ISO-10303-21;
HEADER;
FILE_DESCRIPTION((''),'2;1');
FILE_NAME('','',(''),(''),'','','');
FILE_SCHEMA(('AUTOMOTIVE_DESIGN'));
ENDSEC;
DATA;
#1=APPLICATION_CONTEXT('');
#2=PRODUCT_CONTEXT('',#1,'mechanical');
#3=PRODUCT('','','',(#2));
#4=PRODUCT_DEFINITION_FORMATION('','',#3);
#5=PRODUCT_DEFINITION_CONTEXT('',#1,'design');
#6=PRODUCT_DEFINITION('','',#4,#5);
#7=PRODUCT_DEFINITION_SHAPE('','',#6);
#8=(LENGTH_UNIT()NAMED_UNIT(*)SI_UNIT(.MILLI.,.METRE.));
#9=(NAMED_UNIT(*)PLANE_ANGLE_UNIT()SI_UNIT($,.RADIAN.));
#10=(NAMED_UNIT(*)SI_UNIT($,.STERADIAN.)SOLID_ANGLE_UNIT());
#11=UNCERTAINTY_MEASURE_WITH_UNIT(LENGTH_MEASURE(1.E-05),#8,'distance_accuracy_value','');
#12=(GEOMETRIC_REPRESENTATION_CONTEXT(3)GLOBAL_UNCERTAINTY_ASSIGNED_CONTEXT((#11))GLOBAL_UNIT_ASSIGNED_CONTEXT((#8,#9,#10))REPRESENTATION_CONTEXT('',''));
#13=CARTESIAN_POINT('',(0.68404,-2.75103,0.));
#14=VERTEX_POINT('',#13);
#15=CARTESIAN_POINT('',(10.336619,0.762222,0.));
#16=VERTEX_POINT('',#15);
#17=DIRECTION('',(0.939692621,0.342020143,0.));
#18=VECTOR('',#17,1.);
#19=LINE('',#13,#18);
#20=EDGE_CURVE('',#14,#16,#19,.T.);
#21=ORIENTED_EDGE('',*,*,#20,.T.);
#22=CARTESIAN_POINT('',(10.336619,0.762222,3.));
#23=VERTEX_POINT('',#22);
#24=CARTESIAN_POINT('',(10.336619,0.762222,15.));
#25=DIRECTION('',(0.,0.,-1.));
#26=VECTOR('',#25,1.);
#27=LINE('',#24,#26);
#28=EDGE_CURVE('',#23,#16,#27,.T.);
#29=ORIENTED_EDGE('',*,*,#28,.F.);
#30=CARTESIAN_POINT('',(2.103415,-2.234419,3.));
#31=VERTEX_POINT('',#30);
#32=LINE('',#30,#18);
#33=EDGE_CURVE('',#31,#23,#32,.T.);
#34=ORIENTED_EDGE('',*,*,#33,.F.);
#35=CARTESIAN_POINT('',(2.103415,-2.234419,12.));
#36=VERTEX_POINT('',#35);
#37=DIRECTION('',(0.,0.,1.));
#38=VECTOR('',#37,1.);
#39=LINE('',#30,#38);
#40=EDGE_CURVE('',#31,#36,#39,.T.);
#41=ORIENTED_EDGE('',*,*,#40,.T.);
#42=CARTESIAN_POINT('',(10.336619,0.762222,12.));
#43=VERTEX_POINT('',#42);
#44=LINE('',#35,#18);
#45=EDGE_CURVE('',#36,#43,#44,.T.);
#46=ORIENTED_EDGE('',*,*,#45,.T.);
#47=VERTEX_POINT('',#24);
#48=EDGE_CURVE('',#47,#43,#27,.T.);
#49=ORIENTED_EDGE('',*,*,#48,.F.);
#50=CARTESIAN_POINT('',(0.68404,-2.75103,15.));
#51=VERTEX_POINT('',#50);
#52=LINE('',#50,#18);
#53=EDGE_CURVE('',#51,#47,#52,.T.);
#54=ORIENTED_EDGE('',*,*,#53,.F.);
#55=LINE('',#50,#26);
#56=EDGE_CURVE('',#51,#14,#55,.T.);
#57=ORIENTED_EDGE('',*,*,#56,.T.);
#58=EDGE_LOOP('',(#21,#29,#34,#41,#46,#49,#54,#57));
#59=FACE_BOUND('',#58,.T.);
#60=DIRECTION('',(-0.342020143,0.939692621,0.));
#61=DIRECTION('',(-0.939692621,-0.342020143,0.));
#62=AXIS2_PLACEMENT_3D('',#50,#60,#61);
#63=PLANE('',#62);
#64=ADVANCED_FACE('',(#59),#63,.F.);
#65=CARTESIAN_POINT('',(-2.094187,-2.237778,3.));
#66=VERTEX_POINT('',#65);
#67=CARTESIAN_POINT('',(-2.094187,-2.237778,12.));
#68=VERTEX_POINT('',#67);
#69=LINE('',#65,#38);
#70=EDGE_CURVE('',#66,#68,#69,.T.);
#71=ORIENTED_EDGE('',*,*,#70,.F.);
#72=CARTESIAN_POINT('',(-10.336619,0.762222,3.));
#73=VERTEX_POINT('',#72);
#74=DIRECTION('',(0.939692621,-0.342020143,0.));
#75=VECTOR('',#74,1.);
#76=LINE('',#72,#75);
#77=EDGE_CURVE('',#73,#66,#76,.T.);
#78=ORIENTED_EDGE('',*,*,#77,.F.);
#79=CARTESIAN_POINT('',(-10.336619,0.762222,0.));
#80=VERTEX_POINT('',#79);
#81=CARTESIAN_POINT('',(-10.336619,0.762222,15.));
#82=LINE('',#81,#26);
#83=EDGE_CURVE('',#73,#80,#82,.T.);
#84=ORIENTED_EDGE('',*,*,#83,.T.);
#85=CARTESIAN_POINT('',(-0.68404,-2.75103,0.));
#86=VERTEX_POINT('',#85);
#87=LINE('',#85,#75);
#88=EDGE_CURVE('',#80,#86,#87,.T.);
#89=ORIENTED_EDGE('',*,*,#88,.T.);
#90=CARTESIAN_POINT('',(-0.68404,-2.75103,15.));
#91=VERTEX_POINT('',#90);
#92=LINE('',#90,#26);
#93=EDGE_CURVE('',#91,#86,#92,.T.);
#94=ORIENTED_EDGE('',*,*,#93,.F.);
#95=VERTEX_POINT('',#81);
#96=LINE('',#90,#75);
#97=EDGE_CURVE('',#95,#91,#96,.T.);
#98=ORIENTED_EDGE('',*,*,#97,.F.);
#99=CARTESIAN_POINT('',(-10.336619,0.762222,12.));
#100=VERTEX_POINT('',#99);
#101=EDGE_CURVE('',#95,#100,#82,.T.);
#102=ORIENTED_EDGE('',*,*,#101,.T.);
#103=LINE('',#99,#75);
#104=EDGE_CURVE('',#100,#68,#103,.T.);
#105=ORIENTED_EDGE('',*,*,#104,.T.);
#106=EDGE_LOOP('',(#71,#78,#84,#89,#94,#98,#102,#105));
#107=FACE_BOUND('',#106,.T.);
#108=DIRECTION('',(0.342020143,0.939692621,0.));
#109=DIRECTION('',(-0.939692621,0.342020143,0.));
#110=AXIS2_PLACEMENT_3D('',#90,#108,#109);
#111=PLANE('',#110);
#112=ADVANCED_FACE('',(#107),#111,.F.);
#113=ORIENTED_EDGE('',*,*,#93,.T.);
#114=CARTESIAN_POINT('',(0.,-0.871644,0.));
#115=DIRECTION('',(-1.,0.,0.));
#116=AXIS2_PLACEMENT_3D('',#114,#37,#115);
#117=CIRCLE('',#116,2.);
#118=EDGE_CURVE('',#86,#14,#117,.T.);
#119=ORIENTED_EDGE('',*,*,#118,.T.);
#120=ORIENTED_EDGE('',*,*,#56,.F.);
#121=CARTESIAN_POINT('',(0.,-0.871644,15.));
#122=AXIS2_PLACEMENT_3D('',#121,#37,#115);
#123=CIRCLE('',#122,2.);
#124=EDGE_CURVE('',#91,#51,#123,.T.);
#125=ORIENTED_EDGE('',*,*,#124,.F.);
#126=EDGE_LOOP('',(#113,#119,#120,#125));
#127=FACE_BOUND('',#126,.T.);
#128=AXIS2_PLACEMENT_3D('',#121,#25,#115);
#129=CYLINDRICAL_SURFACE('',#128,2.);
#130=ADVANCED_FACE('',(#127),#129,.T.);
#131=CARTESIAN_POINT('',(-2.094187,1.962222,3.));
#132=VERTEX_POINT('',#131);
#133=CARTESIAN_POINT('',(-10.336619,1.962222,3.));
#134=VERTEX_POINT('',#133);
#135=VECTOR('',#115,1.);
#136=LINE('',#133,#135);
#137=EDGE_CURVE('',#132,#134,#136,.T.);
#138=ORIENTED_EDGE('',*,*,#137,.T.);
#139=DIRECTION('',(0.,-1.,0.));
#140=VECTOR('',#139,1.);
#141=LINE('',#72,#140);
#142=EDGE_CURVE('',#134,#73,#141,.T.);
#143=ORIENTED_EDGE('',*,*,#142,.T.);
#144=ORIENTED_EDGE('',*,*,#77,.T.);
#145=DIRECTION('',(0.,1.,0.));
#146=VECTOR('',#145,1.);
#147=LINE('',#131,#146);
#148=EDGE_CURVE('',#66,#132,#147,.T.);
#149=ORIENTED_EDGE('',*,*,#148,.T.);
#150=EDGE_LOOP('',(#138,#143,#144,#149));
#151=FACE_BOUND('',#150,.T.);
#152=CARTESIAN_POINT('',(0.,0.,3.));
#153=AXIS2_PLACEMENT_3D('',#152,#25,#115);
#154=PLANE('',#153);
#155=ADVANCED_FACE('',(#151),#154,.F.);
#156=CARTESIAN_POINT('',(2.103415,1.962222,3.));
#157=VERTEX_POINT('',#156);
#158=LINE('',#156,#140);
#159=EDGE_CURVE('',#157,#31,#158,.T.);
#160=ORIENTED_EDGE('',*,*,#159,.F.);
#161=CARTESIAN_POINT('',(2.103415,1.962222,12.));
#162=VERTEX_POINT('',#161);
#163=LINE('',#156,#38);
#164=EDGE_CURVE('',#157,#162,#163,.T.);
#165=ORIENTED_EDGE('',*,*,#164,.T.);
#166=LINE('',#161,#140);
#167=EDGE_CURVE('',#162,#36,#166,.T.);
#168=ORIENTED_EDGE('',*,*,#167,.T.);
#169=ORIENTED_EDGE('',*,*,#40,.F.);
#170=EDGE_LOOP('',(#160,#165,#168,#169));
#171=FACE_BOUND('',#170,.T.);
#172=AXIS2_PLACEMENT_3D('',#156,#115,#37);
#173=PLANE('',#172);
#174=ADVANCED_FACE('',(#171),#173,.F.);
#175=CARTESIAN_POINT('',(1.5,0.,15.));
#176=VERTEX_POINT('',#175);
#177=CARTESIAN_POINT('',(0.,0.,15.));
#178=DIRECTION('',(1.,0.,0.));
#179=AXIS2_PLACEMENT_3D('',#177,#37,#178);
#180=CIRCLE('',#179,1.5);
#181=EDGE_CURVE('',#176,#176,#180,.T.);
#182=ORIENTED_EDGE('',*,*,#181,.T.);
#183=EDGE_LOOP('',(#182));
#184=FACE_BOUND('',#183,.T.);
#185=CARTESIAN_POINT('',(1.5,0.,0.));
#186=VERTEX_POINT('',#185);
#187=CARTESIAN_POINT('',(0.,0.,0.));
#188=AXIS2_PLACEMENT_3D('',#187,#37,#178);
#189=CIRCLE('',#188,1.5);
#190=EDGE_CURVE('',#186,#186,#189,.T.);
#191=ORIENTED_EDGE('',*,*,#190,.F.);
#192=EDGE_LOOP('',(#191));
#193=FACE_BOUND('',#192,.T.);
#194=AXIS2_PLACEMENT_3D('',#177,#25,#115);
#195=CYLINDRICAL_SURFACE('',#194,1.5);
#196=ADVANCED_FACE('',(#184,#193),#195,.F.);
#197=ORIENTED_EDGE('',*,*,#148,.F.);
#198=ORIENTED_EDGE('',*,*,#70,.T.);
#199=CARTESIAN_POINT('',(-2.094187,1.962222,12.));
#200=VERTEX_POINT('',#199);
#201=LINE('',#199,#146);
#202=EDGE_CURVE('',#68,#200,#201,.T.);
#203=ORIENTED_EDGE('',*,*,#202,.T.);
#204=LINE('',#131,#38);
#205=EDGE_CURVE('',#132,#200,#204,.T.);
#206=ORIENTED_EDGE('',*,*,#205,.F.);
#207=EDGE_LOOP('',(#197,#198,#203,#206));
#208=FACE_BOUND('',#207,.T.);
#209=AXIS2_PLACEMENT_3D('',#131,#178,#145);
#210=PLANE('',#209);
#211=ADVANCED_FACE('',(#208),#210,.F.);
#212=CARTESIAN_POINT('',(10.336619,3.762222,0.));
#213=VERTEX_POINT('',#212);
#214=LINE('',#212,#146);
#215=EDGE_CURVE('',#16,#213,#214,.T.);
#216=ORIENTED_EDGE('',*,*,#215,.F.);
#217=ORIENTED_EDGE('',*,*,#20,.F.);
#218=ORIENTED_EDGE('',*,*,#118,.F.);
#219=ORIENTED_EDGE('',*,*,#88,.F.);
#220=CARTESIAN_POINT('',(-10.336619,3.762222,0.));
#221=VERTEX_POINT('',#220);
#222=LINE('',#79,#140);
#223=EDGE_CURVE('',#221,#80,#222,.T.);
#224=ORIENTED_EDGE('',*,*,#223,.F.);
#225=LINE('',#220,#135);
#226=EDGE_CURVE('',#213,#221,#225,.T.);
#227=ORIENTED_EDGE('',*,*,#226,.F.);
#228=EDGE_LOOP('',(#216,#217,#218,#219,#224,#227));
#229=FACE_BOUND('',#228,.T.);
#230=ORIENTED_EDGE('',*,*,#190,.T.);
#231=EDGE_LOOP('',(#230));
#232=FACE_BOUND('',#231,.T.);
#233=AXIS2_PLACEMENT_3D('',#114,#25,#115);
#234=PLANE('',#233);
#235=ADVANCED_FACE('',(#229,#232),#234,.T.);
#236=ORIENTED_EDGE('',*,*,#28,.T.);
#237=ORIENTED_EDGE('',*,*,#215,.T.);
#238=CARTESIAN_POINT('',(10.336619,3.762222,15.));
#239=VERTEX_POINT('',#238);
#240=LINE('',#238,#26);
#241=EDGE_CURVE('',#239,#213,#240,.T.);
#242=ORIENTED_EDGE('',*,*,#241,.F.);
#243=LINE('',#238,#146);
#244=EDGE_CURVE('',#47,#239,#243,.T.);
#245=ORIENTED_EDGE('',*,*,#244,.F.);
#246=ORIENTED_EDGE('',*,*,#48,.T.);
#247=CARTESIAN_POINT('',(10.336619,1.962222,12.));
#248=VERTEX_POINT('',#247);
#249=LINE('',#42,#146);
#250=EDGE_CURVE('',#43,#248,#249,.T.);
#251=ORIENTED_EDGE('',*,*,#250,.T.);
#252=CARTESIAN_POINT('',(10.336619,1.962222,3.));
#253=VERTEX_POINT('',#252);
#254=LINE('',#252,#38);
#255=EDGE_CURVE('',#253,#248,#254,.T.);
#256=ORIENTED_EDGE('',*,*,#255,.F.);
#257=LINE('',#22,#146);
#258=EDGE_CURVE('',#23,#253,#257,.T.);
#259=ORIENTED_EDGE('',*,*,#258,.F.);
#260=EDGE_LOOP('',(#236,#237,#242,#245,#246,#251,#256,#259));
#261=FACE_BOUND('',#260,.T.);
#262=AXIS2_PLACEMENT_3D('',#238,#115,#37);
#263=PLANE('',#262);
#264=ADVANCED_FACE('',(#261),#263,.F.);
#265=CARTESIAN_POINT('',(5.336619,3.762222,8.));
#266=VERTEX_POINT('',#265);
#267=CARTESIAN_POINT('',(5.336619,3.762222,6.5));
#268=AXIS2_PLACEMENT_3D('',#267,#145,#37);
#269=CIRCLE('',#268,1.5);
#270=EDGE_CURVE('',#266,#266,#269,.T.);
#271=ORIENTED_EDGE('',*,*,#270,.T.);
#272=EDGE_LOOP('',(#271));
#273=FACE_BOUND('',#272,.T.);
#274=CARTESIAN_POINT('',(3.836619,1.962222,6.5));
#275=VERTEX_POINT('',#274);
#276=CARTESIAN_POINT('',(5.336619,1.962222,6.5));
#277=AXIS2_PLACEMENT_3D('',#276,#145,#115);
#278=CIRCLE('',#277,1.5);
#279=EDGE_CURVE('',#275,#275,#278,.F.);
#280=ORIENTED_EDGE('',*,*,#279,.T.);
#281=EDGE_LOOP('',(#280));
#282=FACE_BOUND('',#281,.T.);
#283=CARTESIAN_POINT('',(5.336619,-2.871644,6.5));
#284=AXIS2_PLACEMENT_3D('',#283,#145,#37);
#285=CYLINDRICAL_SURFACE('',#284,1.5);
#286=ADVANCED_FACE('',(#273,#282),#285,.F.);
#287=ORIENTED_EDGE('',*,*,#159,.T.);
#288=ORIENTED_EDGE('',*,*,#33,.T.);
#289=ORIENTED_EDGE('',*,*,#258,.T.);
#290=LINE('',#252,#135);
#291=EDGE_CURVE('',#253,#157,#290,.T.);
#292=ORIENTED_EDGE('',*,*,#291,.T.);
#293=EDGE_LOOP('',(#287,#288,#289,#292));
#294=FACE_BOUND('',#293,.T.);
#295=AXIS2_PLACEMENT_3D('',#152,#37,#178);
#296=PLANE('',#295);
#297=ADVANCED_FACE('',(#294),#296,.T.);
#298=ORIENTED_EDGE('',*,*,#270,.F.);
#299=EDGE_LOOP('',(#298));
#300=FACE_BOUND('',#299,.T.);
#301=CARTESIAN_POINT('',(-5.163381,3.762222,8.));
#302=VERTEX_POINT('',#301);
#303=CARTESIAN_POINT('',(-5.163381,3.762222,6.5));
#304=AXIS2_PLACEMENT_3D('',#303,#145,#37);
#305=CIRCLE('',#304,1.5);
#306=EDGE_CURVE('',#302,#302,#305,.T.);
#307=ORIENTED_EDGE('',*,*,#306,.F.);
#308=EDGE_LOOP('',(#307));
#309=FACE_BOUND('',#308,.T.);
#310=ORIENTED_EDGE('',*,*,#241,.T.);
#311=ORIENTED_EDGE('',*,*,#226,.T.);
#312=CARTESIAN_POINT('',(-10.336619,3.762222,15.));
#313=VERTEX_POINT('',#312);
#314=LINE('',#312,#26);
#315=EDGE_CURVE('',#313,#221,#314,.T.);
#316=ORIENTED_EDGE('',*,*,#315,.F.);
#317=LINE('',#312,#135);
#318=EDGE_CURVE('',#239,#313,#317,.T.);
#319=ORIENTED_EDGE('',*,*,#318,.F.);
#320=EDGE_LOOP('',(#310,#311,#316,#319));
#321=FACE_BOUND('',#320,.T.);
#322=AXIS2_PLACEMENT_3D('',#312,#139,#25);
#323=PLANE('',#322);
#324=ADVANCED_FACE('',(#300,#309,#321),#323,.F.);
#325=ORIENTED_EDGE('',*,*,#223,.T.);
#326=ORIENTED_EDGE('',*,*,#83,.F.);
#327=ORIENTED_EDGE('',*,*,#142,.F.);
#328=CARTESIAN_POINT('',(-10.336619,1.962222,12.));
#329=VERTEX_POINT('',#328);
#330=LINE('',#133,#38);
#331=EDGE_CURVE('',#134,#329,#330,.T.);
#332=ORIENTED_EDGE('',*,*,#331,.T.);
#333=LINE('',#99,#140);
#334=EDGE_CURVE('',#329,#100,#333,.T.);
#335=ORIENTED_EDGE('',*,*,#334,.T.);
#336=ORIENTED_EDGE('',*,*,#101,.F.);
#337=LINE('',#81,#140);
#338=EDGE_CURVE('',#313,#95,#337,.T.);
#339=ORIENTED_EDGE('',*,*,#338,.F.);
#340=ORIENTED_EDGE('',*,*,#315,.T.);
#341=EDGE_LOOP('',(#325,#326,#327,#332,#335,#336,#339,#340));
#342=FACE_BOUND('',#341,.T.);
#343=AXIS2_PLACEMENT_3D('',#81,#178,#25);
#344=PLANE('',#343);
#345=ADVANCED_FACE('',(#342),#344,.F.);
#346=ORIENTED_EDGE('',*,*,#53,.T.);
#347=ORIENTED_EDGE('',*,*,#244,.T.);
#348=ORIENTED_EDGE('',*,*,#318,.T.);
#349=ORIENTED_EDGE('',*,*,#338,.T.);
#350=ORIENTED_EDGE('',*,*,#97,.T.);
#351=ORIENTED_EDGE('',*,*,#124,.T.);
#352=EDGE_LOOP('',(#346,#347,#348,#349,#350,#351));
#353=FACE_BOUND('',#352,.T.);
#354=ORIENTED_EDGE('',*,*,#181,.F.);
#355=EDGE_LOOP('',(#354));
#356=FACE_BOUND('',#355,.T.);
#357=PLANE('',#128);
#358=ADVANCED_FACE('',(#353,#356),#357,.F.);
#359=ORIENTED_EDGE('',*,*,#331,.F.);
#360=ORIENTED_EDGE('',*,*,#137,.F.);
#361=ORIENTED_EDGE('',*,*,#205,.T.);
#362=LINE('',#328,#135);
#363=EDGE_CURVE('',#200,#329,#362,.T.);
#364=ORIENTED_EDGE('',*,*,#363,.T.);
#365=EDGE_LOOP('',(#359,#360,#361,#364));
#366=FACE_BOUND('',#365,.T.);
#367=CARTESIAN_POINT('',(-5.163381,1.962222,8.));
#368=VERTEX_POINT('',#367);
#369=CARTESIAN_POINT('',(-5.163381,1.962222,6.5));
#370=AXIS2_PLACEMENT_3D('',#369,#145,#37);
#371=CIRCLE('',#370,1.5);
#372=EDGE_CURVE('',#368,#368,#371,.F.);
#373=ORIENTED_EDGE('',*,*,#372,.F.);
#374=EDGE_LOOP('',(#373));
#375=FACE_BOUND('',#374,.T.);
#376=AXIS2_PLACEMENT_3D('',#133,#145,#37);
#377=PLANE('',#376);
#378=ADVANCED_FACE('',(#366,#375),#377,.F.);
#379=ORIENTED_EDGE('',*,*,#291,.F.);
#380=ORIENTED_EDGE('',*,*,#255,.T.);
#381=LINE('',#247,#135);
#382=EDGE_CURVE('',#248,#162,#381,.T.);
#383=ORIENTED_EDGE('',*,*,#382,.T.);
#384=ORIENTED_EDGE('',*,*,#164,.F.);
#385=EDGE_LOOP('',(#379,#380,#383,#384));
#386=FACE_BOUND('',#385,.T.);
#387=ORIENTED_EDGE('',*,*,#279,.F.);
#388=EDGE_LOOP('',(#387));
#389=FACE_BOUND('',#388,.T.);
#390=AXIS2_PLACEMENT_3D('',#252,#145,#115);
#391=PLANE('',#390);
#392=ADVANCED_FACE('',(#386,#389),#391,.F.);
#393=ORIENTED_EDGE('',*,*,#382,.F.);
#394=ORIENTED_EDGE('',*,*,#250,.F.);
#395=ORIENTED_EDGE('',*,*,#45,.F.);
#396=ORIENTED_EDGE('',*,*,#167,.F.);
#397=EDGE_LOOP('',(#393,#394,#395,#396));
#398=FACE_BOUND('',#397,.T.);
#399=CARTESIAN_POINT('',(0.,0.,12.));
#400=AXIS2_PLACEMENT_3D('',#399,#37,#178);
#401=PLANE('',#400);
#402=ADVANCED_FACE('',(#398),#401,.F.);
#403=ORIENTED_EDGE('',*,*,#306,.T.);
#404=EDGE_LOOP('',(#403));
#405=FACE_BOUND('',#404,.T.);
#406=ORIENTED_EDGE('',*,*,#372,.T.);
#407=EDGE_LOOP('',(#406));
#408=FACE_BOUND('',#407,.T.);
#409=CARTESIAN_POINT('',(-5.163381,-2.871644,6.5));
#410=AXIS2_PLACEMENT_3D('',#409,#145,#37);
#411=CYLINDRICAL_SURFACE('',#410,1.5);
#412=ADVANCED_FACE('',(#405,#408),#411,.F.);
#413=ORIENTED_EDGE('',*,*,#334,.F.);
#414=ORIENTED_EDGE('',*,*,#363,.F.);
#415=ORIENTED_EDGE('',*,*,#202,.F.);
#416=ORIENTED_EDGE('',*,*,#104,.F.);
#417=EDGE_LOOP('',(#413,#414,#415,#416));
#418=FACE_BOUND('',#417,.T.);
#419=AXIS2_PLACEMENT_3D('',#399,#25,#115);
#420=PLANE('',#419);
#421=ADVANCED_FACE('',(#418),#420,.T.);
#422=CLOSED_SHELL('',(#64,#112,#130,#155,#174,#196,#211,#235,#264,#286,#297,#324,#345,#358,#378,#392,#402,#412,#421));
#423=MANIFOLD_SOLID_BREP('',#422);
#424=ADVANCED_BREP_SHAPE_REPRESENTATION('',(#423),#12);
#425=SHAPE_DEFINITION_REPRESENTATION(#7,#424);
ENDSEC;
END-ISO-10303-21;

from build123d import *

# Parameters (mm, degrees)
CROQUIS2_R              = 1.5
SALIENTE_EXTRUIR2_DEPTH = 15
CROQUIS3_R              = 1.5
CORTAR_EXTRUIR1_DEPTH   = 7.633866032
CORTAR_EXTRUIR2_DEPTH   = 9
CORTAR_EXTRUIR3_DEPTH   = 9


with BuildPart() as part:
    # Croquis2 → Saliente-Extruir2 (new body)
    with BuildSketch(Plane.XY):
        with BuildLine():
            Line((-0.684040287, -2.751029697), (-10.336618829, 0.762221577))
            Line((-10.336618829, 0.762221577), (-10.336618829, 3.762221577))
            Line((-10.336618829, 3.762221577), (10.336618829, 3.762221577))
            Line((10.336618829, 3.762221577), (10.336618829, 0.762221577))
            Line((10.336618829, 0.762221577), (0.684040287, -2.751029697))
            ThreePointArc((0.684040287, -2.751029697), (0, -2.871644455), (-0.684040287, -2.751029697))
        make_face()
        Circle(CROQUIS2_R, mode=Mode.SUBTRACT)
    extrude(amount=SALIENTE_EXTRUIR2_DEPTH)

    # Croquis3 → Cortar-Extruir1 (cut, through all)
    with BuildSketch(Plane(origin=(0, 3.762221577, 0), x_dir=(1, 0, 0), z_dir=(0, 1, 0))):
        with Locations((5.336618829, -6.5)):
            Circle(CROQUIS3_R)
        with Locations((-5.163381171, -6.5)):
            Circle(CROQUIS3_R)
    extrude(amount=-CORTAR_EXTRUIR1_DEPTH, mode=Mode.SUBTRACT)

    # Croquis4 → Cortar-Extruir2 (cut)
    with BuildSketch(Plane.XY.offset(12)):
        Polygon((10.336618829, 0.762221577), (10.336618829, 1.962221577), (2.103415276, 1.962221577), (2.103415276, -2.234419449), align=None)
    extrude(amount=-CORTAR_EXTRUIR2_DEPTH, mode=Mode.SUBTRACT)

    # Croquis5 → Cortar-Extruir3 (cut)
    with BuildSketch(Plane.XY.offset(12)):
        Polygon((-10.336618829, 0.762221577), (-2.09418657, -2.237778423), (-2.09418657, 1.962221577), (-10.336618829, 1.962221577), align=None)
    extrude(amount=-CORTAR_EXTRUIR3_DEPTH, mode=Mode.SUBTRACT)


solid = part.part
